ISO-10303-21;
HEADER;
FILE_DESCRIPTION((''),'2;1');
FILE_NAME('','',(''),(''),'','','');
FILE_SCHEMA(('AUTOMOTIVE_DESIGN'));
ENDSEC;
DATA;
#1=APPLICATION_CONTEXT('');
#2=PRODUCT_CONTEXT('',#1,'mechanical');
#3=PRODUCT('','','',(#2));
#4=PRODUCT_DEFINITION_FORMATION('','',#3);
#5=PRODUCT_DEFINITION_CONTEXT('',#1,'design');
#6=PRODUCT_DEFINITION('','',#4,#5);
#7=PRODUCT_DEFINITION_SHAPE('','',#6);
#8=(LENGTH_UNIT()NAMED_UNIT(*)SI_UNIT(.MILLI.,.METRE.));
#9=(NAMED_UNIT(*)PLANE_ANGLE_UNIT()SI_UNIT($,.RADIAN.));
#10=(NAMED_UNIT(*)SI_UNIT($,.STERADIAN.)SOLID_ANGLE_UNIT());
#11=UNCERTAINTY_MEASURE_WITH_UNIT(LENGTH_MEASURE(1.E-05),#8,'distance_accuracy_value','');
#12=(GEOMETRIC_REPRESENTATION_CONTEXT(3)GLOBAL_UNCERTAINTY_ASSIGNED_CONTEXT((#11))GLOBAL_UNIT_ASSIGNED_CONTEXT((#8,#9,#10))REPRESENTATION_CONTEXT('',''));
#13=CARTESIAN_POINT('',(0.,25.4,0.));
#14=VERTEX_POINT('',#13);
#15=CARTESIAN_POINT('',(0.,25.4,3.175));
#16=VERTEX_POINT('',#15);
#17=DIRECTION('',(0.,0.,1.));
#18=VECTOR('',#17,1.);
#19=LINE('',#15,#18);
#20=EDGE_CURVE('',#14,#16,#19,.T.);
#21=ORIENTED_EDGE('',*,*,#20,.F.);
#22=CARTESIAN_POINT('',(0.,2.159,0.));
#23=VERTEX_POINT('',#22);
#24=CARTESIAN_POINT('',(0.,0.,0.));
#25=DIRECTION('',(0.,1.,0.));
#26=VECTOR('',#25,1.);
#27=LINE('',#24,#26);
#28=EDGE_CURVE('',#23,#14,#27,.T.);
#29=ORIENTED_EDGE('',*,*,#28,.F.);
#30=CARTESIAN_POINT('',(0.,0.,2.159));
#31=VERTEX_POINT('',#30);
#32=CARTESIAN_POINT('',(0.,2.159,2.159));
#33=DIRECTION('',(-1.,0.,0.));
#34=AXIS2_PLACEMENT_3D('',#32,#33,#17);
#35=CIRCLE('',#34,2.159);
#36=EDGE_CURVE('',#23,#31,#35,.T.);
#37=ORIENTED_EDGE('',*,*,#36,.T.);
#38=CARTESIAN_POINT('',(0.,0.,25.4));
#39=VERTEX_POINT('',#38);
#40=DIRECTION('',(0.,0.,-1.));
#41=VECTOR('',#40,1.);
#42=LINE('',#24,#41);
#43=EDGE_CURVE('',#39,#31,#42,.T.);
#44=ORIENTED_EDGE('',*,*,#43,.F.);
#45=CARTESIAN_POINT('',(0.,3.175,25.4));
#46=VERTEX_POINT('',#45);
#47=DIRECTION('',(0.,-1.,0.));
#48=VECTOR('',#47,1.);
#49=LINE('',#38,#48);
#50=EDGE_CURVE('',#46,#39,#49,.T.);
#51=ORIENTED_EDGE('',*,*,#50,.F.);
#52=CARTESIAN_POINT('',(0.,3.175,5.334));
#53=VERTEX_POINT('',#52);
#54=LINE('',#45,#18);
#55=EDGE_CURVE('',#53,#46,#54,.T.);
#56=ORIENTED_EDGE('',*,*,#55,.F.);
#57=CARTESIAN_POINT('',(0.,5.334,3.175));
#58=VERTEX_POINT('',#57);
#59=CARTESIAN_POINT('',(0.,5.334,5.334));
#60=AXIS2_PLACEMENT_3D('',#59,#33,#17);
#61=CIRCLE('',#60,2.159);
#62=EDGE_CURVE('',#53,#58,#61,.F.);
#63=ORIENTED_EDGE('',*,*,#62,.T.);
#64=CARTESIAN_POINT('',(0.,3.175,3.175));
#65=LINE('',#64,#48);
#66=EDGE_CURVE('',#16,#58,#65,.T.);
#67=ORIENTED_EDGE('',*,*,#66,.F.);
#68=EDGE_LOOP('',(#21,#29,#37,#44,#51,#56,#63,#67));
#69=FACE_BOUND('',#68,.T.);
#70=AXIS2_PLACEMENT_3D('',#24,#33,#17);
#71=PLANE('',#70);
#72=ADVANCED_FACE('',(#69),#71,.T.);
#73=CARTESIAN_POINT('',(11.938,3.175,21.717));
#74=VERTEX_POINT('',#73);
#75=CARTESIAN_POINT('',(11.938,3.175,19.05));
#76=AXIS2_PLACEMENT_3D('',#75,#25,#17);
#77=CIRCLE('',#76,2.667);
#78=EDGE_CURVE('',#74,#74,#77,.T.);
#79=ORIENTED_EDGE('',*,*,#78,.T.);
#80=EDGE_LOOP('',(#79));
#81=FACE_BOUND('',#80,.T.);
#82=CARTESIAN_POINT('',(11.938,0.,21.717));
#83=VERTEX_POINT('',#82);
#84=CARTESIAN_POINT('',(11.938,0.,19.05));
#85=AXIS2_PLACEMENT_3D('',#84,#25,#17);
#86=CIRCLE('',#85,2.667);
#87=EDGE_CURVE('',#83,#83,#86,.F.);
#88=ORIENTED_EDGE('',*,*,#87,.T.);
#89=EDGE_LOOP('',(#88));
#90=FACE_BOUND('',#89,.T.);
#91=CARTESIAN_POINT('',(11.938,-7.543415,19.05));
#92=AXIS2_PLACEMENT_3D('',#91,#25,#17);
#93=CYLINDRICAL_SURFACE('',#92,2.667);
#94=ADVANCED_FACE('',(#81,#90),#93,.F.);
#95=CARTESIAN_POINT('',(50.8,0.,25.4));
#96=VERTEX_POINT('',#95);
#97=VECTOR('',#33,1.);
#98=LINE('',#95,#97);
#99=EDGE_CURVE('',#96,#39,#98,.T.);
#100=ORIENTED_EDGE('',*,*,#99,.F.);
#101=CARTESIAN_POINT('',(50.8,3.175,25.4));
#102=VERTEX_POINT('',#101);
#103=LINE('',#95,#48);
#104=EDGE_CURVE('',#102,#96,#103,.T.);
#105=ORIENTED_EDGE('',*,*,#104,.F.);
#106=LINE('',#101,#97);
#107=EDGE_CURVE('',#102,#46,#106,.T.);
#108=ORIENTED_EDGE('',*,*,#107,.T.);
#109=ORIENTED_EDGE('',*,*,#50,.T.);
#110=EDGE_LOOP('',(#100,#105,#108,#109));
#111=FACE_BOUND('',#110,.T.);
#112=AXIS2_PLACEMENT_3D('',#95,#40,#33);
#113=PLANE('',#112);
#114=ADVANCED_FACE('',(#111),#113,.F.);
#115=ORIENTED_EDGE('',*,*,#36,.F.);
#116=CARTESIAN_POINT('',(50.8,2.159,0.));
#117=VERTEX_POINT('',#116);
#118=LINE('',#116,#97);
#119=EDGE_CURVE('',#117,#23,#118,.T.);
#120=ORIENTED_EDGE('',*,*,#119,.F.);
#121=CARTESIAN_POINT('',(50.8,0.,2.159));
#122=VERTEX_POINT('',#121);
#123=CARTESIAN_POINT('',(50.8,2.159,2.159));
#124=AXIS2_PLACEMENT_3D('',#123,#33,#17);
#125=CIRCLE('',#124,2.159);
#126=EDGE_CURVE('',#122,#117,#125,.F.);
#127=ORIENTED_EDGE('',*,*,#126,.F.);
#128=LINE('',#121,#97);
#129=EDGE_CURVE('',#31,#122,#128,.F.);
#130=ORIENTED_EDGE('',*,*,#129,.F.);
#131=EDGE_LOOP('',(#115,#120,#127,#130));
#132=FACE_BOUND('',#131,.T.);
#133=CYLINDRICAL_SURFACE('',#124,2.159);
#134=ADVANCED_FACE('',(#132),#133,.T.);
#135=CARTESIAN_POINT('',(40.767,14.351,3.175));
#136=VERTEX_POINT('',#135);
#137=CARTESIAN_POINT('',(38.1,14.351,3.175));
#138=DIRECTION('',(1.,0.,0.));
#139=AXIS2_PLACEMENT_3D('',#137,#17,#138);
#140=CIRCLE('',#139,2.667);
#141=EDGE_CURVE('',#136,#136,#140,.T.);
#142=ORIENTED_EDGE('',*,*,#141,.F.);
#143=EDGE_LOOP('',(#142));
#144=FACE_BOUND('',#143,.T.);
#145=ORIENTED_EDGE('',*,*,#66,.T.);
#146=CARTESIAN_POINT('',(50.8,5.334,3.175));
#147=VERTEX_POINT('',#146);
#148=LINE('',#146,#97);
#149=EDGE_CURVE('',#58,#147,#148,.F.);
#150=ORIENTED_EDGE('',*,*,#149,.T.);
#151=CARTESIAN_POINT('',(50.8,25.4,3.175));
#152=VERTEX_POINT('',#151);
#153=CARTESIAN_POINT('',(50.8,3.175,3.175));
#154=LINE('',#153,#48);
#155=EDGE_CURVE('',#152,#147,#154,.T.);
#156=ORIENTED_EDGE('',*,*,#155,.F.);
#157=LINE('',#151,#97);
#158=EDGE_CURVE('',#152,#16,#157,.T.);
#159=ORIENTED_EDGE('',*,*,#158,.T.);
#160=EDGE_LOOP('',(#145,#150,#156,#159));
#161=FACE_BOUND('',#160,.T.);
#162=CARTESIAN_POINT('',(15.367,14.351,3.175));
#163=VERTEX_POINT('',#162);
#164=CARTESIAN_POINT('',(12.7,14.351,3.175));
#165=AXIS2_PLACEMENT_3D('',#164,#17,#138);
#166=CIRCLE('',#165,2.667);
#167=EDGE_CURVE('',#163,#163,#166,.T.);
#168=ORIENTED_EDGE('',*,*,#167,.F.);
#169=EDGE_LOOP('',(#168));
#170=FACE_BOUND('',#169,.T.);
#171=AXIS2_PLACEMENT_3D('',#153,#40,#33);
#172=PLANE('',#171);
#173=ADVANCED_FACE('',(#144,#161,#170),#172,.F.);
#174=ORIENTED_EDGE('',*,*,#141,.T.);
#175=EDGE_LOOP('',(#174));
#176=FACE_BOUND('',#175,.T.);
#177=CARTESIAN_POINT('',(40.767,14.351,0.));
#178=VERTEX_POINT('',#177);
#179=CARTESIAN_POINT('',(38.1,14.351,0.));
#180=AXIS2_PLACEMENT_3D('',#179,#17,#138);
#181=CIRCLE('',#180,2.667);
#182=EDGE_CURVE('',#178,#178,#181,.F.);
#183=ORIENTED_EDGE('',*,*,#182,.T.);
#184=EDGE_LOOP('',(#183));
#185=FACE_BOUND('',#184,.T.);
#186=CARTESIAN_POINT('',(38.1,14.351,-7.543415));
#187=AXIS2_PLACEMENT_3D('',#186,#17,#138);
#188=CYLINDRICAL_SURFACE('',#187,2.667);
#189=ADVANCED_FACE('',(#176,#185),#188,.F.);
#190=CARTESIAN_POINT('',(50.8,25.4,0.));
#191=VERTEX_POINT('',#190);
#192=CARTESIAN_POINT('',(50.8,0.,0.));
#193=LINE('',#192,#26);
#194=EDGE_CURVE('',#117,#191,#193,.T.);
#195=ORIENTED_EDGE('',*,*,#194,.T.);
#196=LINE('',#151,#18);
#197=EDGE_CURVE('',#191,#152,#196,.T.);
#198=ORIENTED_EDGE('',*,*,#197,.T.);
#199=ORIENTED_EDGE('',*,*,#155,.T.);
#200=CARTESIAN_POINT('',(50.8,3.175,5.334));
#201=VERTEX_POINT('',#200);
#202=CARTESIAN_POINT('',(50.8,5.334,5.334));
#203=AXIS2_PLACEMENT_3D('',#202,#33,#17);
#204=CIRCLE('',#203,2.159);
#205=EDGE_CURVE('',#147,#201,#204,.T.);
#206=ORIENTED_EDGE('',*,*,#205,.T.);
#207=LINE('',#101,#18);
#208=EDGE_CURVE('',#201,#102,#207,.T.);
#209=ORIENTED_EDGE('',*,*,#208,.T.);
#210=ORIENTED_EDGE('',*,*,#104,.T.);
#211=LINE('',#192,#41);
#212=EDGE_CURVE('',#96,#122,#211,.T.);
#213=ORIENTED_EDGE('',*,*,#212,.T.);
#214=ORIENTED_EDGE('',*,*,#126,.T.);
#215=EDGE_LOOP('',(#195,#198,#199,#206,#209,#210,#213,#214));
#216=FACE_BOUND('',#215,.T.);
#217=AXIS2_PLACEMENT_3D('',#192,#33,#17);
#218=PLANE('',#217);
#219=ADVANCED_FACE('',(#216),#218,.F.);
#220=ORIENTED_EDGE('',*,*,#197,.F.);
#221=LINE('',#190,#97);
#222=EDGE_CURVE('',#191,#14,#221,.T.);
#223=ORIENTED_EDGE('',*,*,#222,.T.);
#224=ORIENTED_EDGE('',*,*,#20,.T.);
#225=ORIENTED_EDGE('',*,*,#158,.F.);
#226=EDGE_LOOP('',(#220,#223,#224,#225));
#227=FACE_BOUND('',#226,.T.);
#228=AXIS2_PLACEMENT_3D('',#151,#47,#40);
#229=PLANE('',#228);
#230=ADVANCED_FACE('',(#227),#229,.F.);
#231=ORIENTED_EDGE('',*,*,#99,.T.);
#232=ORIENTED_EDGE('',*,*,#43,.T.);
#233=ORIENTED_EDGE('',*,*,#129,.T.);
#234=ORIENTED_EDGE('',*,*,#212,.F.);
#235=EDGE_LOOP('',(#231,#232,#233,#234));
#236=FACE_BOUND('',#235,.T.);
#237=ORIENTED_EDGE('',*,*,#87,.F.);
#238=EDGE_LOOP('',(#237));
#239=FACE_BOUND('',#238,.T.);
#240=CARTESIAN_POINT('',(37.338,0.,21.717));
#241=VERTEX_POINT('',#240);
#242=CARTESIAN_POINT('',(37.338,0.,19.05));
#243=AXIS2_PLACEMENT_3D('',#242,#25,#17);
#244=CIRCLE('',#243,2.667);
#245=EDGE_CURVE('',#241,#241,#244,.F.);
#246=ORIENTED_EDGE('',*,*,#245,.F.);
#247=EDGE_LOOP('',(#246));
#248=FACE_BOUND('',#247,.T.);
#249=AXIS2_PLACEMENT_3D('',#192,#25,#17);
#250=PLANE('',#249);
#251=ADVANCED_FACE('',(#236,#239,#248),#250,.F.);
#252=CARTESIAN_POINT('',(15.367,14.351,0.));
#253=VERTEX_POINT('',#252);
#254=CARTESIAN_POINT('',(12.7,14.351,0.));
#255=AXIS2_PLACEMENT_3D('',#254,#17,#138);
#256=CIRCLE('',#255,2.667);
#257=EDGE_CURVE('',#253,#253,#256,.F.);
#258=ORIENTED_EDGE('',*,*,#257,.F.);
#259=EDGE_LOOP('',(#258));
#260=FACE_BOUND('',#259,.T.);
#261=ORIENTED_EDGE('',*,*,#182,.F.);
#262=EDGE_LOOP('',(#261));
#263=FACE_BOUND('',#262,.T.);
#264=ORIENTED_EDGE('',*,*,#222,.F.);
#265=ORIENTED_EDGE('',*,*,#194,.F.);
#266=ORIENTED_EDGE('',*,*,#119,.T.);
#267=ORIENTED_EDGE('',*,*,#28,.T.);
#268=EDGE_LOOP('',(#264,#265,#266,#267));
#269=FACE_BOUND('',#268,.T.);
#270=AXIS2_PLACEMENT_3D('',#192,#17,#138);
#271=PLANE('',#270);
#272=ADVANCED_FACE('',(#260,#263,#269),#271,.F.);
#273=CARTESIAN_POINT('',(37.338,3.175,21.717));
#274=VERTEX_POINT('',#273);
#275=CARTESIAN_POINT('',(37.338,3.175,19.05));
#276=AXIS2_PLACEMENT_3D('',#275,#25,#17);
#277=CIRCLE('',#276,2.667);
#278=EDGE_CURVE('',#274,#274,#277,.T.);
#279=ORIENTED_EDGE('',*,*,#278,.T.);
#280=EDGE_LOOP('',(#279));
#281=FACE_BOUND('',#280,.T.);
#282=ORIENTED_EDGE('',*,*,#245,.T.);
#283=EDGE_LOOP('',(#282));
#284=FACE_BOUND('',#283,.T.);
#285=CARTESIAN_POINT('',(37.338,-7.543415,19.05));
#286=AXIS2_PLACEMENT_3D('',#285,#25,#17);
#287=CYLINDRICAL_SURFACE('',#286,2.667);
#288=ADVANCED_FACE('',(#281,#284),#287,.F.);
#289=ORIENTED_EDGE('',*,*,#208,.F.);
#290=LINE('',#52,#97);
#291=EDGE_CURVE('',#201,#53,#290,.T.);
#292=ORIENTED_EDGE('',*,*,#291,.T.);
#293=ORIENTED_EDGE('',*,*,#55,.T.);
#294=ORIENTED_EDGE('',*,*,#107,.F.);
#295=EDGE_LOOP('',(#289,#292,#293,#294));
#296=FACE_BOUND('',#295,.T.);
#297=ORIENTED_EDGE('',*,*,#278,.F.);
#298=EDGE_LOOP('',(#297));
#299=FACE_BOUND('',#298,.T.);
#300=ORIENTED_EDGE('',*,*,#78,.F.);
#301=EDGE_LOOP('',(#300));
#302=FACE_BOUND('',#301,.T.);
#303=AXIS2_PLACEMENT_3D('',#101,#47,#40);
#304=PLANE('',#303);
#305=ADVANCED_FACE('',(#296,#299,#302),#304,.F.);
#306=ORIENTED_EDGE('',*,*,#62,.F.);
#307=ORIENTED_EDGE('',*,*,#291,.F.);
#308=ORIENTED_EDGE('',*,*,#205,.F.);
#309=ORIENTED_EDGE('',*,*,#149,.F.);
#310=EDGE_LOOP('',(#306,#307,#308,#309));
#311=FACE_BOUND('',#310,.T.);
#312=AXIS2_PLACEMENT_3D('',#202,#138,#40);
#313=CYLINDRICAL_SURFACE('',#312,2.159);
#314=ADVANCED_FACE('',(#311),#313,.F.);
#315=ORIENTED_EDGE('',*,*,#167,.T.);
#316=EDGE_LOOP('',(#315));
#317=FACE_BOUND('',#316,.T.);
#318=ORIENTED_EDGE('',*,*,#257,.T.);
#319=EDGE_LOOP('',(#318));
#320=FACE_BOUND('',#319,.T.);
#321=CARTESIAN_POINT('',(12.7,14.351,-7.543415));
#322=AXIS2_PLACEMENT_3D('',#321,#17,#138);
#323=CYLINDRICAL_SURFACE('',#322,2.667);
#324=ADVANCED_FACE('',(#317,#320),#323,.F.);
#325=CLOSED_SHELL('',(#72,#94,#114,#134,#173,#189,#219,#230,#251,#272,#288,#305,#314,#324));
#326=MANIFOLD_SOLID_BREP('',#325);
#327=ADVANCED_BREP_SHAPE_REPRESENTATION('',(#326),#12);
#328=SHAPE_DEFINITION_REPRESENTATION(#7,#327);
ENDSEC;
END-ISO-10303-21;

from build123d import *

# Parameters (mm, degrees)
BOSS_EXTRUDE1_DEPTH = 50.8
SKETCH2_R           = 2.667
CUT_EXTRUDE1_DEPTH  = 3.175
SKETCH3_R           = 2.667
CUT_EXTRUDE2_DEPTH  = 3.175
FILLET1_R           = 2.159


with BuildPart() as part:
    # Sketch1 → Boss-Extrude1 (new body)
    with BuildSketch(Plane(origin=(0, 0, 0), x_dir=(0, 0, -1), z_dir=(1, 0, 0))):
        Polygon((0, 0), (0, 25.4), (-3.175, 25.4), (-3.175, 3.175), (-25.4, 3.175), (-25.4, 0), align=None)
    extrude(amount=BOSS_EXTRUDE1_DEPTH)

    # Sketch2 → Cut-Extrude1 (cut)
    with BuildSketch(Plane(origin=(0, 3.175, 0), x_dir=(1, 0, 0), z_dir=(0, 1, 0))):
        with Locations((11.938, -19.05)):
            Circle(SKETCH2_R)
        with Locations((37.338, -19.05)):
            Circle(SKETCH2_R)
    extrude(amount=-CUT_EXTRUDE1_DEPTH, mode=Mode.SUBTRACT)

    # Sketch3 → Cut-Extrude2 (cut)
    with BuildSketch(Plane.XY.offset(3.175)):
        with Locations((38.1, 14.351)):
            Circle(SKETCH3_R)
        with Locations((12.7, 14.351)):
            Circle(SKETCH3_R)
    extrude(amount=-CUT_EXTRUDE2_DEPTH, mode=Mode.SUBTRACT)

    # Fillet1
    fillet1_edges = [part.edges().sort_by_distance(p)[0] for p in [
        (25.4, 3.175, 3.175),
        (25.4, 0, 0),
    ]]
    fillet(fillet1_edges, radius=FILLET1_R)


solid = part.part
